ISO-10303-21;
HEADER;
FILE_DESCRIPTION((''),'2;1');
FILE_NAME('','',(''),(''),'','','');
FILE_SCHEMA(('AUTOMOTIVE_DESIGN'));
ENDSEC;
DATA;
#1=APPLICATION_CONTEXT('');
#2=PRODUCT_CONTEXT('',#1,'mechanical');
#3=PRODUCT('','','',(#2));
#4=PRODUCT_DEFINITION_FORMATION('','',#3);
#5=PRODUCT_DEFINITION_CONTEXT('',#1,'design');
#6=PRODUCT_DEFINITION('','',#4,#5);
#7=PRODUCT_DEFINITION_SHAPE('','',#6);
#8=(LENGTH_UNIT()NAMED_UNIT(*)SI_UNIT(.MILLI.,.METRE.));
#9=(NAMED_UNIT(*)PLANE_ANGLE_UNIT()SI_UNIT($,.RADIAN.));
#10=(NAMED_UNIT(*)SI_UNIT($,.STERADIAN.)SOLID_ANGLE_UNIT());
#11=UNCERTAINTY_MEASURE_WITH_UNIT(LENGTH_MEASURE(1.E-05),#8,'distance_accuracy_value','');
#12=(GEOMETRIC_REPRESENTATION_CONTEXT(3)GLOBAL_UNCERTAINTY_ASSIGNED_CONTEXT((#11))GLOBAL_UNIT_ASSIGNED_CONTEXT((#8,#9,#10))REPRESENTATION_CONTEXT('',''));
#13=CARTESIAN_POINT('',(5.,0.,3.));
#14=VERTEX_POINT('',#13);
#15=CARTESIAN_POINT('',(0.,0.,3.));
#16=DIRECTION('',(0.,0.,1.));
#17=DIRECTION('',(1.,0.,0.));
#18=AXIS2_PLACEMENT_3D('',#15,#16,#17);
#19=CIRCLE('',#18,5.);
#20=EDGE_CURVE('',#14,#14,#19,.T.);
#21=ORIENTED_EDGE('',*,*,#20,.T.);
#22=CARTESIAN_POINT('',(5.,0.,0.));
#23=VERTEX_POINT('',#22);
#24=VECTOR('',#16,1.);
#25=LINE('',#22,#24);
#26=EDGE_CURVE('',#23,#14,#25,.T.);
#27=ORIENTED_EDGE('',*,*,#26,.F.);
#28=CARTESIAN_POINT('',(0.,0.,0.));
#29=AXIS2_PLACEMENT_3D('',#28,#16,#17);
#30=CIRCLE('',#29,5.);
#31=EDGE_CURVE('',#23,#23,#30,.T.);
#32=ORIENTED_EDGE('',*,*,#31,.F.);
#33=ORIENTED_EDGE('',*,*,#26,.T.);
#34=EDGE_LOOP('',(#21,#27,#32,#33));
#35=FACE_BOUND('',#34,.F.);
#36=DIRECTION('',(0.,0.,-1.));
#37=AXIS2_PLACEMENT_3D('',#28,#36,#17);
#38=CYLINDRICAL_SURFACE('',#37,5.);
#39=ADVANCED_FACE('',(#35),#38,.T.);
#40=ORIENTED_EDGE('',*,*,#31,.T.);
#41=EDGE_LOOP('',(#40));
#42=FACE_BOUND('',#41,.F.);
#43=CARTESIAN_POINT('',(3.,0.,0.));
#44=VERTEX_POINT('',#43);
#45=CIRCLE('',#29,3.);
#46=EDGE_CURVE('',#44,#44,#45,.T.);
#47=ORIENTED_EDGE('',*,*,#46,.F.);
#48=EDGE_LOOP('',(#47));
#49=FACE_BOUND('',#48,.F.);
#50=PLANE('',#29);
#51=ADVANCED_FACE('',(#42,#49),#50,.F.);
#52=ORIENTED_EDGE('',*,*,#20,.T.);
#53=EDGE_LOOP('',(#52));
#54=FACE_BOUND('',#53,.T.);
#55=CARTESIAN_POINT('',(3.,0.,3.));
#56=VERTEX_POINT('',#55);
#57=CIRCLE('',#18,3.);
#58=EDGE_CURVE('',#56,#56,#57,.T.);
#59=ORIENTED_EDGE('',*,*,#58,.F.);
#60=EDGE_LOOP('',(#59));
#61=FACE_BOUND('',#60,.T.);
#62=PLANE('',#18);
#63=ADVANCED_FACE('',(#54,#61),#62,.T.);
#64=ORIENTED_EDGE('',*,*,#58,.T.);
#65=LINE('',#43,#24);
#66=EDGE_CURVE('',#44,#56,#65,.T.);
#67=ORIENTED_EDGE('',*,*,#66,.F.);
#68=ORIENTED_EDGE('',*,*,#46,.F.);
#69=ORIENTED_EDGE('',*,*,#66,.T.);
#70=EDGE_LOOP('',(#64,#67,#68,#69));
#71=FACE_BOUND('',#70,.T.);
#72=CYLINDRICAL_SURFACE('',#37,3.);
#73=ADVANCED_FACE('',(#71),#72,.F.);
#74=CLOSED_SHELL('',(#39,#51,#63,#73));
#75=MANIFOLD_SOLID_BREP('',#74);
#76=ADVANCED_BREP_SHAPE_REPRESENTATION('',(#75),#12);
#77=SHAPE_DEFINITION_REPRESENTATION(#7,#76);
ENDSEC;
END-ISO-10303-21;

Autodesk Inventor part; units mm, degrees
ref_plane "YZ Plane" through (0, 0, 0) normal (1, 0, 0) x (0, 1, 0)
ref_plane "XZ Plane" through (0, 0, 0) normal (0, 1, 0) x (-1, 0, 0)
ref_plane "XY Plane" through (0, 0, 0) normal (0, 0, 1) x (1, 0, 0)
sketch "スケッチ1" plane through (0, 0, 0) normal (0, 0, 1) x (1, 0, 0)
  circle A0 centre (0, 0) radius 3
  circle A1 centre (0, 0) radius 5
  dimension "d0" = 6
  dimension "d1" = 10
extrude "押し出し1" add sketch "スケッチ1" along normal blind 3
properties part number "ベアリング0610.3t" material "鋼、高強度、低合金"
